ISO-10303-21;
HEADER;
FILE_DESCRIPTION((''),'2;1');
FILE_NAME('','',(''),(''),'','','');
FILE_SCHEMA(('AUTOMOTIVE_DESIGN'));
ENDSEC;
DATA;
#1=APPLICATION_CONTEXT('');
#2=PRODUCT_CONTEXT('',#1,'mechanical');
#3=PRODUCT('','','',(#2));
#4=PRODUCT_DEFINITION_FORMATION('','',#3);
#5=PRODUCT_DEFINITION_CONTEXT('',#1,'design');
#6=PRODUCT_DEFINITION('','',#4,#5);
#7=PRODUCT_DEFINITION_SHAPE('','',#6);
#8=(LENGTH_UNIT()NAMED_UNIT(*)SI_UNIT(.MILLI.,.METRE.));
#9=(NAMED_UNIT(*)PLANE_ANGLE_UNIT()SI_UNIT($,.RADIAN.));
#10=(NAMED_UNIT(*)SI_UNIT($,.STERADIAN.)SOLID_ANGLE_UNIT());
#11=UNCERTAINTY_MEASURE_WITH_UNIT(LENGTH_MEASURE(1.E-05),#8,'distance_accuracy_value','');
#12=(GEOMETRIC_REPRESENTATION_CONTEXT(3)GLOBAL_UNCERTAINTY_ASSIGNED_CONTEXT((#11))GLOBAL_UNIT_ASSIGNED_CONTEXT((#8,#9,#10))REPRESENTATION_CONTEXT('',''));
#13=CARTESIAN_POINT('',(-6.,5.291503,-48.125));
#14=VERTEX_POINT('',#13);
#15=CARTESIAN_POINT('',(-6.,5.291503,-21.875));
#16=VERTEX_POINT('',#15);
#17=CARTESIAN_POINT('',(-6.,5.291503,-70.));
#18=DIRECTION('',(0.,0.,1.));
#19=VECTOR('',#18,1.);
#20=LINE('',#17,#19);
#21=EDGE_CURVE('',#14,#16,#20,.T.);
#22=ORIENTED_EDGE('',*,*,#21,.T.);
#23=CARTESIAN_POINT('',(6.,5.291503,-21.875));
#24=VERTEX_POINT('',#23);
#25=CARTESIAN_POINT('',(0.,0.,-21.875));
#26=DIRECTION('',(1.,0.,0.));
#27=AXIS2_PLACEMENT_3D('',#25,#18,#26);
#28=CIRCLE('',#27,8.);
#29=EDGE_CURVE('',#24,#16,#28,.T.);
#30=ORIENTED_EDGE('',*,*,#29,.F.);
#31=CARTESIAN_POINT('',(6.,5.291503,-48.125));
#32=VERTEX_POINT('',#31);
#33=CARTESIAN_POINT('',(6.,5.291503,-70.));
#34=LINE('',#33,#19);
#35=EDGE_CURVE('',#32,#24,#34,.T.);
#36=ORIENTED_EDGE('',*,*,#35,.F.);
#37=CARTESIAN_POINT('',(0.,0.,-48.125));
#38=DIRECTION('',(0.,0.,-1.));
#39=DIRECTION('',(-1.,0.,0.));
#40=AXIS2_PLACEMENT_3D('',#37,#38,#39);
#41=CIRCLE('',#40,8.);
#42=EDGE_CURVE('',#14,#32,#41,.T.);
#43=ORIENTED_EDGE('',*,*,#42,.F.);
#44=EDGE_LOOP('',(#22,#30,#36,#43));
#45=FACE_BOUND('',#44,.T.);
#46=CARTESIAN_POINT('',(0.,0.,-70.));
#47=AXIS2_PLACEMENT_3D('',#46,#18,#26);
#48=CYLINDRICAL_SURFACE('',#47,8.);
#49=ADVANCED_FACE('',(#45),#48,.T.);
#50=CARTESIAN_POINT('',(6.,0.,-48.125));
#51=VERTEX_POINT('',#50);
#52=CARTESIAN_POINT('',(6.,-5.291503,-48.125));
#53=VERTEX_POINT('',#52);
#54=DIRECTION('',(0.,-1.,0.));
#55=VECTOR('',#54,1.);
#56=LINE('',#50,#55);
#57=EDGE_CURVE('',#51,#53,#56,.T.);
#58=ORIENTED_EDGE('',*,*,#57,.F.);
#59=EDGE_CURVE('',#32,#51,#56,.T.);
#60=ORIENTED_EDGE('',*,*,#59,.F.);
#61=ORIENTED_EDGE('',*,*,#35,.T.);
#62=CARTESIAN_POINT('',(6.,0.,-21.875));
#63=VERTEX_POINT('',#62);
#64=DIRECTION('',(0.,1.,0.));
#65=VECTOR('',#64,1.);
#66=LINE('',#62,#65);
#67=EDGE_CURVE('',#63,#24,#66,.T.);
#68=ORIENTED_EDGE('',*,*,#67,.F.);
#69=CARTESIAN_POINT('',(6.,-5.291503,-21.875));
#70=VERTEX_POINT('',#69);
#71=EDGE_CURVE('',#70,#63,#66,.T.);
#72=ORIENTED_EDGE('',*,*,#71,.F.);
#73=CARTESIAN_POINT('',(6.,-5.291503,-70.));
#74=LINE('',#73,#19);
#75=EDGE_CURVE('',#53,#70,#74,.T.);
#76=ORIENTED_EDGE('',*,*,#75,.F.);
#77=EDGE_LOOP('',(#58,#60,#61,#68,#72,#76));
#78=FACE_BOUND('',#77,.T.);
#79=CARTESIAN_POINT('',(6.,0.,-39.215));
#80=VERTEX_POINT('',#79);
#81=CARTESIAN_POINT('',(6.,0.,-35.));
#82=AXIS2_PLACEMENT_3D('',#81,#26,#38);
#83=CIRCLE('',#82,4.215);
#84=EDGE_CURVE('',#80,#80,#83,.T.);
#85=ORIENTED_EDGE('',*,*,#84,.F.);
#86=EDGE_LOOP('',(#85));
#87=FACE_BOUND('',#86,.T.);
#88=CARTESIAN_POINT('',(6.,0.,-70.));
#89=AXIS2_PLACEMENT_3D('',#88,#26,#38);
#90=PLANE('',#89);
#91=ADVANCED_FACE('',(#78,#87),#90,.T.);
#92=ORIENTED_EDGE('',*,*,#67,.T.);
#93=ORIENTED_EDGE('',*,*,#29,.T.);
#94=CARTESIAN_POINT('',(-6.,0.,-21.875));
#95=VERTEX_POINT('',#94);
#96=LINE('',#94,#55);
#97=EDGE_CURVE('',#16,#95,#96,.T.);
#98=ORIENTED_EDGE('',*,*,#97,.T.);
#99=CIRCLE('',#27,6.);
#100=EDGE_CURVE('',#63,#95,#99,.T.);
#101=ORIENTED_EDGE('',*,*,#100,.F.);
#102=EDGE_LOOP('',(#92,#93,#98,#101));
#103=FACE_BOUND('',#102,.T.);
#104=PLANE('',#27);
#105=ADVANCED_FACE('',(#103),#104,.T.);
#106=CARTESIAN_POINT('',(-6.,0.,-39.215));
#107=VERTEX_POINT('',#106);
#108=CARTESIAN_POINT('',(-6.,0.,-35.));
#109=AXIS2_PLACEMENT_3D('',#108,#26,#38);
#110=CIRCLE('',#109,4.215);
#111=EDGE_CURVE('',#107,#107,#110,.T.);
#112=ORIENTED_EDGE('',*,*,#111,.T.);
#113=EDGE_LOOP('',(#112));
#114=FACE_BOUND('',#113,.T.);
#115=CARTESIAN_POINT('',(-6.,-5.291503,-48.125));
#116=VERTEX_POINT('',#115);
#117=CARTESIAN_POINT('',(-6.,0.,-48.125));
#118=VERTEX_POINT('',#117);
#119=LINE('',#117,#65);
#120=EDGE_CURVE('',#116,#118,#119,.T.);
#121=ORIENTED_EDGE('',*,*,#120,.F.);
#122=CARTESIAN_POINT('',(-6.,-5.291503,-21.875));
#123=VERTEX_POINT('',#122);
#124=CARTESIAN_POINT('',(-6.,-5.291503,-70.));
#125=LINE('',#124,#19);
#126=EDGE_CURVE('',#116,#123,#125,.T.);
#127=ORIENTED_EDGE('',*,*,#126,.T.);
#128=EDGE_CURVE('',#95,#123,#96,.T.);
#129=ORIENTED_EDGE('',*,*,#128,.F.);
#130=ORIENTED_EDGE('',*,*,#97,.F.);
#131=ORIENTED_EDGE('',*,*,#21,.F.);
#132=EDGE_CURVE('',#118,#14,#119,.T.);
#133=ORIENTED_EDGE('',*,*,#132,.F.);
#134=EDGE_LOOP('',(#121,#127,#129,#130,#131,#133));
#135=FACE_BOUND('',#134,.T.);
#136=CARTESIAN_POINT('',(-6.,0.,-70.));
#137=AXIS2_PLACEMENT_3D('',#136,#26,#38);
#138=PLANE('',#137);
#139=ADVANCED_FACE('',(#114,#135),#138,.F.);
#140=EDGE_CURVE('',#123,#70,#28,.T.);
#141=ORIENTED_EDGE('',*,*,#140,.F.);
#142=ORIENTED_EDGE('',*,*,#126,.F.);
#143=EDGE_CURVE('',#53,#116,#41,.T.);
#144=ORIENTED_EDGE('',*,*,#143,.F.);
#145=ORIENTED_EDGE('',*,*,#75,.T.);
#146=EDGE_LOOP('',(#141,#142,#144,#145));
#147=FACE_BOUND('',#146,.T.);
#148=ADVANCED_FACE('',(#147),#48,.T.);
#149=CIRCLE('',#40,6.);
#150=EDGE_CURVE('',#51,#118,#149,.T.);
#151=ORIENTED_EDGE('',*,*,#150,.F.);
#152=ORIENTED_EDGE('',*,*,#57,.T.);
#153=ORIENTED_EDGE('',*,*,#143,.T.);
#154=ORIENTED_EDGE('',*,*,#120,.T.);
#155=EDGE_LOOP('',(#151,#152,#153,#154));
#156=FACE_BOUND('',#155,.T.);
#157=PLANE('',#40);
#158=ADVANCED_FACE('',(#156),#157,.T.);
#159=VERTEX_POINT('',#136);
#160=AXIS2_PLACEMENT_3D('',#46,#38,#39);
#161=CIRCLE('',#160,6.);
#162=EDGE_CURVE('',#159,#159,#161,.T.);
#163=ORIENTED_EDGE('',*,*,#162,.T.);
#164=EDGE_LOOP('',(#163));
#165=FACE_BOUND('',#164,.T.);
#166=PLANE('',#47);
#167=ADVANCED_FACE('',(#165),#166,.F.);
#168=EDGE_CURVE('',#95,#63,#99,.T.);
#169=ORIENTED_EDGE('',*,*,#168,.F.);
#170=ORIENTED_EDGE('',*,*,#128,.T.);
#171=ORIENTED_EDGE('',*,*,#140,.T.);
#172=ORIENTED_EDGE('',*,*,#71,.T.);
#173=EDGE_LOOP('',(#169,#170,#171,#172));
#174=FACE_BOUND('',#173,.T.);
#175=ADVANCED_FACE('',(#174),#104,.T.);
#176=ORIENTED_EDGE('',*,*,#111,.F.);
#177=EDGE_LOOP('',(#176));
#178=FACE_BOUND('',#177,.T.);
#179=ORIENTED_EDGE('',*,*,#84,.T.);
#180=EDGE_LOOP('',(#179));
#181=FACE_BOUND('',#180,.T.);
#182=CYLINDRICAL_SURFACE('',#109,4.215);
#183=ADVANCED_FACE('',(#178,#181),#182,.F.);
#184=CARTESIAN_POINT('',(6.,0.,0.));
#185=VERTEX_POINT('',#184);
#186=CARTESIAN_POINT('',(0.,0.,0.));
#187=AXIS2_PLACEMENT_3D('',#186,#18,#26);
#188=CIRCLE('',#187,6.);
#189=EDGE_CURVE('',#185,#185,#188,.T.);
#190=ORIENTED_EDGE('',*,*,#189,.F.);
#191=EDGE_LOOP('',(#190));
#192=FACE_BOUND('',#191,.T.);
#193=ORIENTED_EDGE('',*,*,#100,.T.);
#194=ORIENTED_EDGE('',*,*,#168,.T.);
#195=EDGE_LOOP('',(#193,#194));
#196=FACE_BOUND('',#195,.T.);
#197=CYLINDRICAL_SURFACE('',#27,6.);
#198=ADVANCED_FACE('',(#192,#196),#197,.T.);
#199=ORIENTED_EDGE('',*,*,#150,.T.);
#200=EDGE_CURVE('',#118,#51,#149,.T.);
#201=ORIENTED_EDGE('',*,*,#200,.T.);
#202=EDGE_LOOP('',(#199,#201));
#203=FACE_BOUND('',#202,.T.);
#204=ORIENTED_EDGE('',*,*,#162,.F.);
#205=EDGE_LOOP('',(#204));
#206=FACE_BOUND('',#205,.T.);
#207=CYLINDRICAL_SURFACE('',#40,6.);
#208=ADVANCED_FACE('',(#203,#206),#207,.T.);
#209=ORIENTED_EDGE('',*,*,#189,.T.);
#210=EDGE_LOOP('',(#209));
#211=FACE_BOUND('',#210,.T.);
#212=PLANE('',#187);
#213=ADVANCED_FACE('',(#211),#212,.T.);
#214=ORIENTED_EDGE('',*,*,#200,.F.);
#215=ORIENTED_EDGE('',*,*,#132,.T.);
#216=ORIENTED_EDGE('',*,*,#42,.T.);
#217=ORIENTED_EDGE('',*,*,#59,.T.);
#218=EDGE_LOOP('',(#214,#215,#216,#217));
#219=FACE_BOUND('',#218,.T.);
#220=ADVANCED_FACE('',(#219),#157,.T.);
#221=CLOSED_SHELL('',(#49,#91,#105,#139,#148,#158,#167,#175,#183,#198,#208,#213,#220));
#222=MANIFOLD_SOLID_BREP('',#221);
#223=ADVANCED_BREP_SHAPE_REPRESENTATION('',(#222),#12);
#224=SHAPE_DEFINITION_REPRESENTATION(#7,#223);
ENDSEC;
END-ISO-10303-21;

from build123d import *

# Parameters (mm, degrees)
SKETCH2_R           = 6
BOSS_EXTRUDE2_DEPTH = 70
CUT_EXTRUDE1_DEPTH  = 21.875
CUT_EXTRUDE3_START  = -21.875
CUT_EXTRUDE3_DEPTH  = 21.875
SKETCH4_R           = 4.215
CUT_EXTRUDE4_DEPTH  = 72.470273541


with BuildPart() as part:
    # Sketch2 → Boss-Extrude2 (new body)
    with BuildSketch(Plane.XY):
        with BuildLine():
            ThreePointArc((-6, 0), (0, 6), (6, 0))
            Line((6, 0), (6, 5.291502622))
            ThreePointArc((6, 5.291502622), (0, 8), (-6, 5.291502622))
            Line((-6, 5.291502622), (-6, 0))
        make_face()
        Circle(SKETCH2_R)
        with BuildLine():
            Line((6, -5.291502622), (6, 0))
            ThreePointArc((6, 0), (0, -6), (-6, 0))
            Line((-6, 0), (-6, -5.291502622))
            ThreePointArc((-6, -5.291502622), (0, -8), (6, -5.291502622))
        make_face()
    extrude(amount=-BOSS_EXTRUDE2_DEPTH)

    # Sketch5 → Cut-Extrude1 (cut)
    with BuildSketch(Plane.XY):
        with BuildLine():
            ThreePointArc((6, 5.291502622), (0, 8), (-6, 5.291502622))
            Line((-6, 5.291502622), (-6, -5e-09))
            ThreePointArc((-6, -5e-09), (-2e-09, 6), (6, 0))
            Line((6, 0), (6, 5.291502622))
        make_face()
        with BuildLine():
            ThreePointArc((6, 0), (2e-09, -6), (-6, -5e-09))
            Line((-6, -5e-09), (-6, -5.291502622))
            ThreePointArc((-6, -5.291502622), (0, -8), (6, -5.291502622))
            Line((6, -5.291502622), (6, 0))
        make_face()
    extrude(amount=-CUT_EXTRUDE1_DEPTH, mode=Mode.SUBTRACT)

    # Sketch6 → Cut-Extrude3 (cut)
    with BuildSketch(Plane(origin=(0, 0, -70), x_dir=(-1, 0, 0), z_dir=(0, 0, -1)).offset(CUT_EXTRUDE3_START)):
        with BuildLine():
            ThreePointArc((6, 5.291502622), (0, 8), (-6, 5.291502622))
            Line((-6, 5.291502622), (-6, -5e-09))
            ThreePointArc((-6, -5e-09), (-2e-09, 6), (6, 0))
            Line((6, 0), (6, 5.291502622))
        make_face()
        with BuildLine():
            ThreePointArc((6, 0), (2e-09, -6), (-6, -5e-09))
            Line((-6, -5e-09), (-6, -5.291502622))
            ThreePointArc((-6, -5.291502622), (0, -8), (6, -5.291502622))
            Line((6, -5.291502622), (6, 0))
        make_face()
    extrude(amount=CUT_EXTRUDE3_DEPTH, mode=Mode.SUBTRACT)

    # Sketch4 → Cut-Extrude4 (cut, through all)
    with BuildSketch(Plane(origin=(6, 0, 0), x_dir=(0, 0, -1), z_dir=(1, 0, 0))):
        with Locations((35, 0)):
            Circle(SKETCH4_R)
    extrude(amount=-CUT_EXTRUDE4_DEPTH, mode=Mode.SUBTRACT)


solid = part.part
